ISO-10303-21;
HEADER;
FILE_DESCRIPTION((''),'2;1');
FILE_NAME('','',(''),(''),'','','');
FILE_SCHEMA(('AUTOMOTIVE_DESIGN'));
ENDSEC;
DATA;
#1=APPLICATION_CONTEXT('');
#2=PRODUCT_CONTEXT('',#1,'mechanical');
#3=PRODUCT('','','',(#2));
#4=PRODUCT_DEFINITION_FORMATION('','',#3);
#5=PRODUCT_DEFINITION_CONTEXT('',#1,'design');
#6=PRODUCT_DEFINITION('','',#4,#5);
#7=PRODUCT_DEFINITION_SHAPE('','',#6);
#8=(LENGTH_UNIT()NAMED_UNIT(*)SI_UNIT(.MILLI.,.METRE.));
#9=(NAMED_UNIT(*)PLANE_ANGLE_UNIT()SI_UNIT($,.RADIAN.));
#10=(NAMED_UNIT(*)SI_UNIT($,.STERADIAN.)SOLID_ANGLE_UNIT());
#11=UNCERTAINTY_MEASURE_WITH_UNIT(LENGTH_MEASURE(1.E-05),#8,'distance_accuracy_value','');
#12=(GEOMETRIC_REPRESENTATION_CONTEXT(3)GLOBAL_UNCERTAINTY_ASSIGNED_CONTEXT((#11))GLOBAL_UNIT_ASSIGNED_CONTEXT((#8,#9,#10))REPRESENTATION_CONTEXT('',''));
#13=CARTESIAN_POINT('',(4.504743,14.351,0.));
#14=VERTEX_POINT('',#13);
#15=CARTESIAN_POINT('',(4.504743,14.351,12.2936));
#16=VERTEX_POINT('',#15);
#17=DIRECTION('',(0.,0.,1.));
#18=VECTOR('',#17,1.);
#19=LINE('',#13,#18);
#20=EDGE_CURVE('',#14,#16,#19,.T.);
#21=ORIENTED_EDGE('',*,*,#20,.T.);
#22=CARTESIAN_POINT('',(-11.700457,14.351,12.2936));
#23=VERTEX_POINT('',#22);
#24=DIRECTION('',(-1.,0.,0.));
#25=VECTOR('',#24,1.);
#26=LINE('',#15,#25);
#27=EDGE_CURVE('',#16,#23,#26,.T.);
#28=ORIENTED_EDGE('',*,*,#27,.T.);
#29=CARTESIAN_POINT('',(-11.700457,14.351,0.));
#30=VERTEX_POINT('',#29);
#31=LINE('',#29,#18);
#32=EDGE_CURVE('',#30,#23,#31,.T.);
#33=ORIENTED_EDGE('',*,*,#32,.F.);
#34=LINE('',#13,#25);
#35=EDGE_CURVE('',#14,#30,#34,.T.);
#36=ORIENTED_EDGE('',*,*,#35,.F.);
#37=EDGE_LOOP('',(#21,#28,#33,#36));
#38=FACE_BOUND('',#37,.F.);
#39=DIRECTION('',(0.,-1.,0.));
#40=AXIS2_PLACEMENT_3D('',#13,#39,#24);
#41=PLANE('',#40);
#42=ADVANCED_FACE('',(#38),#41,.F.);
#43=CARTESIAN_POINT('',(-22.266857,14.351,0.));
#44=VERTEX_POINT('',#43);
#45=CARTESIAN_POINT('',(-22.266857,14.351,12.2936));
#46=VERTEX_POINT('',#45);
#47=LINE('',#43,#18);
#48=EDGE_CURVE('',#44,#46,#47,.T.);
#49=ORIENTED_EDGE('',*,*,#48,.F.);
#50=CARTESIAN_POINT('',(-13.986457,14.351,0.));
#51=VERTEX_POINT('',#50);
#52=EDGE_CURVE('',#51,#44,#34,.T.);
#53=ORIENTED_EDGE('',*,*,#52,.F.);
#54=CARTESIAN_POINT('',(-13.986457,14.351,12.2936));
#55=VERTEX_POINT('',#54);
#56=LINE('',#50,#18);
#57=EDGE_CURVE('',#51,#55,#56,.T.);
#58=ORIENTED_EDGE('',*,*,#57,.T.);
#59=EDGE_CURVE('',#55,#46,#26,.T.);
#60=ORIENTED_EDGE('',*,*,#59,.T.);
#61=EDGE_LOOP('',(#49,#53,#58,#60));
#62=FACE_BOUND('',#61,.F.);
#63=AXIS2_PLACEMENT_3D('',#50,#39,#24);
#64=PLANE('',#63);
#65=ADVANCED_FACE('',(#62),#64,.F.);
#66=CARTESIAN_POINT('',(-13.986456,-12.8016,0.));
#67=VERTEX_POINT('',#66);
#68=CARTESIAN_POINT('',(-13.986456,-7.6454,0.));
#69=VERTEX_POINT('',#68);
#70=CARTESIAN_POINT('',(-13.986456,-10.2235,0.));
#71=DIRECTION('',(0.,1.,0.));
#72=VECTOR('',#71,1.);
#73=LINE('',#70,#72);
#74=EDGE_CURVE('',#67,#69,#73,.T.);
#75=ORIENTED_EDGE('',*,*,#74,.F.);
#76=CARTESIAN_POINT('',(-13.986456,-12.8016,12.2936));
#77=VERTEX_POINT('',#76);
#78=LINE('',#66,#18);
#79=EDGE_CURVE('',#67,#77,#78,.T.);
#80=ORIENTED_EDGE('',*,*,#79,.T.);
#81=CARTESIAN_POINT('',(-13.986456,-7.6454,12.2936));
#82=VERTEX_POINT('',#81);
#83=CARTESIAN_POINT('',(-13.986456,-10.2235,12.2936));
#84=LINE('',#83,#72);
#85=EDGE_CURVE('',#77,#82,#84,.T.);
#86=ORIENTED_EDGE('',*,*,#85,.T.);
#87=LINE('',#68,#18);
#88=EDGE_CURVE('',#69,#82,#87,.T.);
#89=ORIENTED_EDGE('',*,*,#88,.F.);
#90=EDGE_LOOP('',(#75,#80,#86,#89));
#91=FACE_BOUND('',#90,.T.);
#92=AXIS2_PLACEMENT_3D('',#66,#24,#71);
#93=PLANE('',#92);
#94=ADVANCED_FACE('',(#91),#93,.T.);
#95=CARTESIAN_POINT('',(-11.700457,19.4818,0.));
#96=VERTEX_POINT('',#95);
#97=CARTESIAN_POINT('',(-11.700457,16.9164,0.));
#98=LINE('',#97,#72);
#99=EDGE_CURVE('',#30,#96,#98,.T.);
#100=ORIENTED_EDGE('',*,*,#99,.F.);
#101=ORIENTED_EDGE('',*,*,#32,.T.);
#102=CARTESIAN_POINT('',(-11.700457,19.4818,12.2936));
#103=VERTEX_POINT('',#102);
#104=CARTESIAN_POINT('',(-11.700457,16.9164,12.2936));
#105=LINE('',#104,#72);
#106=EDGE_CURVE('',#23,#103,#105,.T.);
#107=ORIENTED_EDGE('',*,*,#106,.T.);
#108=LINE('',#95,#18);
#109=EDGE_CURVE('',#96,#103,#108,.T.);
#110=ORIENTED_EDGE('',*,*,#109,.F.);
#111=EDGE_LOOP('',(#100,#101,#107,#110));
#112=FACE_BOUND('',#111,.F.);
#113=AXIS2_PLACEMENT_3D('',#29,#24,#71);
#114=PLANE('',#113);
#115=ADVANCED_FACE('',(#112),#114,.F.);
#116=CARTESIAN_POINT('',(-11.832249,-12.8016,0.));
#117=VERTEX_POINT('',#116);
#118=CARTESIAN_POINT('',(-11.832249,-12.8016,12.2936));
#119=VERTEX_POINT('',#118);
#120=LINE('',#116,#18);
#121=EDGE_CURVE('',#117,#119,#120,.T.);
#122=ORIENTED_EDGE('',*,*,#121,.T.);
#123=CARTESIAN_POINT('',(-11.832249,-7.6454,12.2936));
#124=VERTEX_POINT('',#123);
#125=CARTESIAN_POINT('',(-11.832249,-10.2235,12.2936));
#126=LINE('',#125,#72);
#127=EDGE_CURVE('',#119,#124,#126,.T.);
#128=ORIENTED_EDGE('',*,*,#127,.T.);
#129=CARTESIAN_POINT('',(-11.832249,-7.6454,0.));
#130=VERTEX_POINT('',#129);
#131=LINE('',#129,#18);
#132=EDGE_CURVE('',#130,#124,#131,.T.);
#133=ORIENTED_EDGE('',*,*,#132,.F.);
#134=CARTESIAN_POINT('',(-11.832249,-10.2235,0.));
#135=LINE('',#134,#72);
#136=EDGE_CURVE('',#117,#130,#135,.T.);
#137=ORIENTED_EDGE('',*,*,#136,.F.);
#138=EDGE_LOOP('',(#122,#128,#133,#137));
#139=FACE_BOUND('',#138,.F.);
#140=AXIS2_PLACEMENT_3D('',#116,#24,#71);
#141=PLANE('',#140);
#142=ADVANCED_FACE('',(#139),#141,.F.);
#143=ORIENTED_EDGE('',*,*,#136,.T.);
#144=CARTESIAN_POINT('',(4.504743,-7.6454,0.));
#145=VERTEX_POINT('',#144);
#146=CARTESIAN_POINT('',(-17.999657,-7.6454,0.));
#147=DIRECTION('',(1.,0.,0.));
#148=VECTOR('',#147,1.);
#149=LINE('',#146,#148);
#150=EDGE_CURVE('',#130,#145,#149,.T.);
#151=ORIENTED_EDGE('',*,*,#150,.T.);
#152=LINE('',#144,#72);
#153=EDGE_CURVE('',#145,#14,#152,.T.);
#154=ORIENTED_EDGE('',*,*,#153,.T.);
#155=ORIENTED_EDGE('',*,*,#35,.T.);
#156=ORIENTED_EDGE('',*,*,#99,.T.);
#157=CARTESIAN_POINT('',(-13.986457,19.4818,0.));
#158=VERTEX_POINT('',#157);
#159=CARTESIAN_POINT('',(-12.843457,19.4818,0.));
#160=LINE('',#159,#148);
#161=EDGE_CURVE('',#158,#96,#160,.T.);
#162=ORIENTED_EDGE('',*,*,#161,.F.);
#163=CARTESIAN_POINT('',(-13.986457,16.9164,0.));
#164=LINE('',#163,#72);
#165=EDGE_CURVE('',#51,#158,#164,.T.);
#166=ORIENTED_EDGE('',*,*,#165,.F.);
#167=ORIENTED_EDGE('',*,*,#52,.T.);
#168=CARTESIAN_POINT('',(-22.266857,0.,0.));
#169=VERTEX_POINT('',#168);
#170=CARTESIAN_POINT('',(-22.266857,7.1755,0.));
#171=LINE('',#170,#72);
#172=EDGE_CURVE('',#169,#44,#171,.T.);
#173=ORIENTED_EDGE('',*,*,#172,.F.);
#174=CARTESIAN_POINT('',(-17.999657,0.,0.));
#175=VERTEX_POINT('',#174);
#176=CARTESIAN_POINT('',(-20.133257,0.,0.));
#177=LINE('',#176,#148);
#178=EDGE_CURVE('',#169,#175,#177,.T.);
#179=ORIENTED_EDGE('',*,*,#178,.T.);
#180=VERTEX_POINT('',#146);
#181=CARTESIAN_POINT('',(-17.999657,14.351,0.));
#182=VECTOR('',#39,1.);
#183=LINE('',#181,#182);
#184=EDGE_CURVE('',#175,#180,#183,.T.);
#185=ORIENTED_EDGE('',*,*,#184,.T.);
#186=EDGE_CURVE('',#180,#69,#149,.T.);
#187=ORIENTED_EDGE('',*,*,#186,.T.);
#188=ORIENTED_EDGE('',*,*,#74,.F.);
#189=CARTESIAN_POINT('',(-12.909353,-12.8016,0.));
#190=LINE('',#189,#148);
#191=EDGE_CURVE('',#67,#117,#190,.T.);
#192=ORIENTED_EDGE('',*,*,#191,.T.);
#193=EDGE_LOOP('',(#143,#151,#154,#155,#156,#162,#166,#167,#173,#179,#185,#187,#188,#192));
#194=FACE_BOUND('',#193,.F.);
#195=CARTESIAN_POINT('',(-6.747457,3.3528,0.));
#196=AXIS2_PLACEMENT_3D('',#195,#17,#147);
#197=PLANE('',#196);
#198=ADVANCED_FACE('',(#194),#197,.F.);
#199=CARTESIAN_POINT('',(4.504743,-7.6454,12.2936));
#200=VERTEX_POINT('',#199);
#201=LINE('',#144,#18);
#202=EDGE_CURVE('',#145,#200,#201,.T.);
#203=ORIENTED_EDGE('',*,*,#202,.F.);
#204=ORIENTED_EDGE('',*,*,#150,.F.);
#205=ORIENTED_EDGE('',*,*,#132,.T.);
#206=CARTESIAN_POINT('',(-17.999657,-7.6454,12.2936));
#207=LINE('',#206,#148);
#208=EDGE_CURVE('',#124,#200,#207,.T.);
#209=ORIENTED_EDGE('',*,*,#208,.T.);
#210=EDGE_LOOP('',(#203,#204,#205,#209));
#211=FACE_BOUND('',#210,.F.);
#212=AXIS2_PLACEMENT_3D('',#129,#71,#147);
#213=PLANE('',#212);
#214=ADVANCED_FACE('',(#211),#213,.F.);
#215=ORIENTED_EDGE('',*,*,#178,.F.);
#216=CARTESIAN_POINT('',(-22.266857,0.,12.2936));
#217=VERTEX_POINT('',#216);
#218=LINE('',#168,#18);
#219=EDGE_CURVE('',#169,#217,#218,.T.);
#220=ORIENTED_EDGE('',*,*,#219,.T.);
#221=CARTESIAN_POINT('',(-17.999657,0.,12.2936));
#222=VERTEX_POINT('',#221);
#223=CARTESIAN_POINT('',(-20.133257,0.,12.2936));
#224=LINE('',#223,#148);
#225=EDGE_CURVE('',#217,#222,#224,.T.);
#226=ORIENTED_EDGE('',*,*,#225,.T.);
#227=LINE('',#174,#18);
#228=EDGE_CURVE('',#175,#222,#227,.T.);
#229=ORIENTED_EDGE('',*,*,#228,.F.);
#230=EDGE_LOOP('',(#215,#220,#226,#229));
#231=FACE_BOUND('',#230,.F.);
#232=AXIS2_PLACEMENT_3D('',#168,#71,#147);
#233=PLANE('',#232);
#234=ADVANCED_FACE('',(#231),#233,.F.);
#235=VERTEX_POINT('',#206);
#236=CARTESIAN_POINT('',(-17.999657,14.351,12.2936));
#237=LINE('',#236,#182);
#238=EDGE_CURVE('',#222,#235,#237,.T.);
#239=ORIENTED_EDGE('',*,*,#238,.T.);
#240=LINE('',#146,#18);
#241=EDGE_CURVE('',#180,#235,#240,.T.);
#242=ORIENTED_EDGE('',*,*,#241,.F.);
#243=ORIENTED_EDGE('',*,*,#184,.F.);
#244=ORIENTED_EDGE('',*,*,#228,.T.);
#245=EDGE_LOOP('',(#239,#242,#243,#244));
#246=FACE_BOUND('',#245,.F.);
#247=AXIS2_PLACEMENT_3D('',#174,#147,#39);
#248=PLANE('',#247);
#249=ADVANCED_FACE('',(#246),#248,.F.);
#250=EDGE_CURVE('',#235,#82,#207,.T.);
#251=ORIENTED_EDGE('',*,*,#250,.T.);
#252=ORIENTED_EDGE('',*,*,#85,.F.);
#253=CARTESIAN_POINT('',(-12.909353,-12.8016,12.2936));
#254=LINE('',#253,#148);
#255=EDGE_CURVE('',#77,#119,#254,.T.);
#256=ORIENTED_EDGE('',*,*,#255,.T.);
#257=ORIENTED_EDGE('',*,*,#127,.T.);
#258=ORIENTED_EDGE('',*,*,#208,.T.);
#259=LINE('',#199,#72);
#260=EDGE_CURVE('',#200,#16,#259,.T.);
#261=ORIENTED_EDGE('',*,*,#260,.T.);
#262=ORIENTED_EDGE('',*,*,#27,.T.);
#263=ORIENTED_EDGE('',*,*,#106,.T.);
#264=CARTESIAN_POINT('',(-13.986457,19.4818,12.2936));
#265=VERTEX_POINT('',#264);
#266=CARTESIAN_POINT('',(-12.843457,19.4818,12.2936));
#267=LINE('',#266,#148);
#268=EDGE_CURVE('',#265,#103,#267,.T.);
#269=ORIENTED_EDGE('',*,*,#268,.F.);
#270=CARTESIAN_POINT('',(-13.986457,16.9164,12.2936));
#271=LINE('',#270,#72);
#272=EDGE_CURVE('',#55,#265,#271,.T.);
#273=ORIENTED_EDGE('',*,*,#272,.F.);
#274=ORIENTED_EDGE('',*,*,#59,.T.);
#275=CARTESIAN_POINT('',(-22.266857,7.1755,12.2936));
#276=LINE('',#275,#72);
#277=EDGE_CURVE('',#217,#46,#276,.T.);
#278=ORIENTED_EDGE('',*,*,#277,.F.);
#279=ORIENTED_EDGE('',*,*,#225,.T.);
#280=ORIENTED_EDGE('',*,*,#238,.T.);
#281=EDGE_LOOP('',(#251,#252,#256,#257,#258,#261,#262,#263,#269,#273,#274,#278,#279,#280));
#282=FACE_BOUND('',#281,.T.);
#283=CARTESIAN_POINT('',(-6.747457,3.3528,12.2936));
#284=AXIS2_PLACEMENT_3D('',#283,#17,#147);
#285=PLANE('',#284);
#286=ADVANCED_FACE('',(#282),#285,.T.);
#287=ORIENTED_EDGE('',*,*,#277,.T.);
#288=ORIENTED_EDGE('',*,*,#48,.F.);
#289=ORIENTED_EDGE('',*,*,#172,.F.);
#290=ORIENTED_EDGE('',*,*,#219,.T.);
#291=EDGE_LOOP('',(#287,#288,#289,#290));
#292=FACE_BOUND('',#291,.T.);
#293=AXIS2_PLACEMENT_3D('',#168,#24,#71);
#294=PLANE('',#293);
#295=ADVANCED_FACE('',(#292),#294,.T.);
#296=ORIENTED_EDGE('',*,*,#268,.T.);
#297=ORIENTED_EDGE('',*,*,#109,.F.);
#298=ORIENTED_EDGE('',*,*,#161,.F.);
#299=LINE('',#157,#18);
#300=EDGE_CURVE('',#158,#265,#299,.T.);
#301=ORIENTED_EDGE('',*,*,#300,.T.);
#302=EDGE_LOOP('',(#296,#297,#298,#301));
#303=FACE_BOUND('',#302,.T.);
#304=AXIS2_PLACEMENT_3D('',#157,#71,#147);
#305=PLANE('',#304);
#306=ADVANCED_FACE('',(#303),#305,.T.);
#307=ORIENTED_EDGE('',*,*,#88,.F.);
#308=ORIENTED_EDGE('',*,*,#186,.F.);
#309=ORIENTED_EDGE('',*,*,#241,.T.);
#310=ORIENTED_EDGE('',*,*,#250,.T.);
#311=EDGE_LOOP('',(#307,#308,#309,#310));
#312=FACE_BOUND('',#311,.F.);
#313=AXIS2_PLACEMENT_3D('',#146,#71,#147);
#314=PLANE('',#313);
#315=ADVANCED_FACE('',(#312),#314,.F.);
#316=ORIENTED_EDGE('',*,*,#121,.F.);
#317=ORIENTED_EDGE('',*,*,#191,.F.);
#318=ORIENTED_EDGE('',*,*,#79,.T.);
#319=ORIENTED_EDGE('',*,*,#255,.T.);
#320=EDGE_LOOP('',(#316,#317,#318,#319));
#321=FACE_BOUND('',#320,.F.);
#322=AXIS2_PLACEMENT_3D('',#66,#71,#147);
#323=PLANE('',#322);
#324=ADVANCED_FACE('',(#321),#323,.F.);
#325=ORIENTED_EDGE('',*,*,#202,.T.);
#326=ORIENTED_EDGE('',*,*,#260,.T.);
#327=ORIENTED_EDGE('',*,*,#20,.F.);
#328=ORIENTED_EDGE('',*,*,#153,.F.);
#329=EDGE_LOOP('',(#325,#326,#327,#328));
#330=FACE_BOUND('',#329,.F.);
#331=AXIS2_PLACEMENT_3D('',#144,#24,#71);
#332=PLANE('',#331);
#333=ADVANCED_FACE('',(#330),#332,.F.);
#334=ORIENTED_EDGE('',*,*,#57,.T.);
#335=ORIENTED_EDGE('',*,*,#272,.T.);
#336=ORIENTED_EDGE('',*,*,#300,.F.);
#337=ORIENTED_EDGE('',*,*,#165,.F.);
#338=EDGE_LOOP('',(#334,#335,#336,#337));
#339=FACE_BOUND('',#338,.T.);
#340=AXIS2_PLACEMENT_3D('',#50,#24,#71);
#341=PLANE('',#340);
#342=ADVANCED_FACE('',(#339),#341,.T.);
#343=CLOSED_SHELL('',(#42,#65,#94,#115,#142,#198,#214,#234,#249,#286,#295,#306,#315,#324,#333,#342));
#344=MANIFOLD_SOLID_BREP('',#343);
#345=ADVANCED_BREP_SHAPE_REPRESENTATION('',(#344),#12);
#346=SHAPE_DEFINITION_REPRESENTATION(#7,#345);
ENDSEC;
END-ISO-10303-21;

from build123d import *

# Parameters (mm, degrees)
F0_W     = 4.2672
F0_H     = 14.351
F0_W_2   = 2.286
F0_H_2   = 5.1308
F0_W_3   = 2.154207
F0_H_3   = 5.1562
F1_DEPTH = 12.2936


with BuildPart() as f1:
    # F0 (on Top) → F1 (new body)
    with BuildSketch(Plane.XY):
        Polygon((-13.986457, 14.351), (-17.999657, 14.351), (-17.999657, 0), (-17.999657, -7.6454), (-13.986457, -7.6454), (-11.83225, -7.6454), (4.504743, -7.6454), (4.504743, 14.351), (-11.700457, 14.351), align=None)
        with Locations((-20.133257, 7.1755)):
            Rectangle(F0_W, F0_H)
        with Locations((-12.843457, 16.9164)):
            Rectangle(F0_W_2, F0_H_2)
        with Locations((-12.909353, -10.2235)):
            Rectangle(F0_W_3, F0_H_3)
    extrude(amount=F1_DEPTH)


solid = f1.part
